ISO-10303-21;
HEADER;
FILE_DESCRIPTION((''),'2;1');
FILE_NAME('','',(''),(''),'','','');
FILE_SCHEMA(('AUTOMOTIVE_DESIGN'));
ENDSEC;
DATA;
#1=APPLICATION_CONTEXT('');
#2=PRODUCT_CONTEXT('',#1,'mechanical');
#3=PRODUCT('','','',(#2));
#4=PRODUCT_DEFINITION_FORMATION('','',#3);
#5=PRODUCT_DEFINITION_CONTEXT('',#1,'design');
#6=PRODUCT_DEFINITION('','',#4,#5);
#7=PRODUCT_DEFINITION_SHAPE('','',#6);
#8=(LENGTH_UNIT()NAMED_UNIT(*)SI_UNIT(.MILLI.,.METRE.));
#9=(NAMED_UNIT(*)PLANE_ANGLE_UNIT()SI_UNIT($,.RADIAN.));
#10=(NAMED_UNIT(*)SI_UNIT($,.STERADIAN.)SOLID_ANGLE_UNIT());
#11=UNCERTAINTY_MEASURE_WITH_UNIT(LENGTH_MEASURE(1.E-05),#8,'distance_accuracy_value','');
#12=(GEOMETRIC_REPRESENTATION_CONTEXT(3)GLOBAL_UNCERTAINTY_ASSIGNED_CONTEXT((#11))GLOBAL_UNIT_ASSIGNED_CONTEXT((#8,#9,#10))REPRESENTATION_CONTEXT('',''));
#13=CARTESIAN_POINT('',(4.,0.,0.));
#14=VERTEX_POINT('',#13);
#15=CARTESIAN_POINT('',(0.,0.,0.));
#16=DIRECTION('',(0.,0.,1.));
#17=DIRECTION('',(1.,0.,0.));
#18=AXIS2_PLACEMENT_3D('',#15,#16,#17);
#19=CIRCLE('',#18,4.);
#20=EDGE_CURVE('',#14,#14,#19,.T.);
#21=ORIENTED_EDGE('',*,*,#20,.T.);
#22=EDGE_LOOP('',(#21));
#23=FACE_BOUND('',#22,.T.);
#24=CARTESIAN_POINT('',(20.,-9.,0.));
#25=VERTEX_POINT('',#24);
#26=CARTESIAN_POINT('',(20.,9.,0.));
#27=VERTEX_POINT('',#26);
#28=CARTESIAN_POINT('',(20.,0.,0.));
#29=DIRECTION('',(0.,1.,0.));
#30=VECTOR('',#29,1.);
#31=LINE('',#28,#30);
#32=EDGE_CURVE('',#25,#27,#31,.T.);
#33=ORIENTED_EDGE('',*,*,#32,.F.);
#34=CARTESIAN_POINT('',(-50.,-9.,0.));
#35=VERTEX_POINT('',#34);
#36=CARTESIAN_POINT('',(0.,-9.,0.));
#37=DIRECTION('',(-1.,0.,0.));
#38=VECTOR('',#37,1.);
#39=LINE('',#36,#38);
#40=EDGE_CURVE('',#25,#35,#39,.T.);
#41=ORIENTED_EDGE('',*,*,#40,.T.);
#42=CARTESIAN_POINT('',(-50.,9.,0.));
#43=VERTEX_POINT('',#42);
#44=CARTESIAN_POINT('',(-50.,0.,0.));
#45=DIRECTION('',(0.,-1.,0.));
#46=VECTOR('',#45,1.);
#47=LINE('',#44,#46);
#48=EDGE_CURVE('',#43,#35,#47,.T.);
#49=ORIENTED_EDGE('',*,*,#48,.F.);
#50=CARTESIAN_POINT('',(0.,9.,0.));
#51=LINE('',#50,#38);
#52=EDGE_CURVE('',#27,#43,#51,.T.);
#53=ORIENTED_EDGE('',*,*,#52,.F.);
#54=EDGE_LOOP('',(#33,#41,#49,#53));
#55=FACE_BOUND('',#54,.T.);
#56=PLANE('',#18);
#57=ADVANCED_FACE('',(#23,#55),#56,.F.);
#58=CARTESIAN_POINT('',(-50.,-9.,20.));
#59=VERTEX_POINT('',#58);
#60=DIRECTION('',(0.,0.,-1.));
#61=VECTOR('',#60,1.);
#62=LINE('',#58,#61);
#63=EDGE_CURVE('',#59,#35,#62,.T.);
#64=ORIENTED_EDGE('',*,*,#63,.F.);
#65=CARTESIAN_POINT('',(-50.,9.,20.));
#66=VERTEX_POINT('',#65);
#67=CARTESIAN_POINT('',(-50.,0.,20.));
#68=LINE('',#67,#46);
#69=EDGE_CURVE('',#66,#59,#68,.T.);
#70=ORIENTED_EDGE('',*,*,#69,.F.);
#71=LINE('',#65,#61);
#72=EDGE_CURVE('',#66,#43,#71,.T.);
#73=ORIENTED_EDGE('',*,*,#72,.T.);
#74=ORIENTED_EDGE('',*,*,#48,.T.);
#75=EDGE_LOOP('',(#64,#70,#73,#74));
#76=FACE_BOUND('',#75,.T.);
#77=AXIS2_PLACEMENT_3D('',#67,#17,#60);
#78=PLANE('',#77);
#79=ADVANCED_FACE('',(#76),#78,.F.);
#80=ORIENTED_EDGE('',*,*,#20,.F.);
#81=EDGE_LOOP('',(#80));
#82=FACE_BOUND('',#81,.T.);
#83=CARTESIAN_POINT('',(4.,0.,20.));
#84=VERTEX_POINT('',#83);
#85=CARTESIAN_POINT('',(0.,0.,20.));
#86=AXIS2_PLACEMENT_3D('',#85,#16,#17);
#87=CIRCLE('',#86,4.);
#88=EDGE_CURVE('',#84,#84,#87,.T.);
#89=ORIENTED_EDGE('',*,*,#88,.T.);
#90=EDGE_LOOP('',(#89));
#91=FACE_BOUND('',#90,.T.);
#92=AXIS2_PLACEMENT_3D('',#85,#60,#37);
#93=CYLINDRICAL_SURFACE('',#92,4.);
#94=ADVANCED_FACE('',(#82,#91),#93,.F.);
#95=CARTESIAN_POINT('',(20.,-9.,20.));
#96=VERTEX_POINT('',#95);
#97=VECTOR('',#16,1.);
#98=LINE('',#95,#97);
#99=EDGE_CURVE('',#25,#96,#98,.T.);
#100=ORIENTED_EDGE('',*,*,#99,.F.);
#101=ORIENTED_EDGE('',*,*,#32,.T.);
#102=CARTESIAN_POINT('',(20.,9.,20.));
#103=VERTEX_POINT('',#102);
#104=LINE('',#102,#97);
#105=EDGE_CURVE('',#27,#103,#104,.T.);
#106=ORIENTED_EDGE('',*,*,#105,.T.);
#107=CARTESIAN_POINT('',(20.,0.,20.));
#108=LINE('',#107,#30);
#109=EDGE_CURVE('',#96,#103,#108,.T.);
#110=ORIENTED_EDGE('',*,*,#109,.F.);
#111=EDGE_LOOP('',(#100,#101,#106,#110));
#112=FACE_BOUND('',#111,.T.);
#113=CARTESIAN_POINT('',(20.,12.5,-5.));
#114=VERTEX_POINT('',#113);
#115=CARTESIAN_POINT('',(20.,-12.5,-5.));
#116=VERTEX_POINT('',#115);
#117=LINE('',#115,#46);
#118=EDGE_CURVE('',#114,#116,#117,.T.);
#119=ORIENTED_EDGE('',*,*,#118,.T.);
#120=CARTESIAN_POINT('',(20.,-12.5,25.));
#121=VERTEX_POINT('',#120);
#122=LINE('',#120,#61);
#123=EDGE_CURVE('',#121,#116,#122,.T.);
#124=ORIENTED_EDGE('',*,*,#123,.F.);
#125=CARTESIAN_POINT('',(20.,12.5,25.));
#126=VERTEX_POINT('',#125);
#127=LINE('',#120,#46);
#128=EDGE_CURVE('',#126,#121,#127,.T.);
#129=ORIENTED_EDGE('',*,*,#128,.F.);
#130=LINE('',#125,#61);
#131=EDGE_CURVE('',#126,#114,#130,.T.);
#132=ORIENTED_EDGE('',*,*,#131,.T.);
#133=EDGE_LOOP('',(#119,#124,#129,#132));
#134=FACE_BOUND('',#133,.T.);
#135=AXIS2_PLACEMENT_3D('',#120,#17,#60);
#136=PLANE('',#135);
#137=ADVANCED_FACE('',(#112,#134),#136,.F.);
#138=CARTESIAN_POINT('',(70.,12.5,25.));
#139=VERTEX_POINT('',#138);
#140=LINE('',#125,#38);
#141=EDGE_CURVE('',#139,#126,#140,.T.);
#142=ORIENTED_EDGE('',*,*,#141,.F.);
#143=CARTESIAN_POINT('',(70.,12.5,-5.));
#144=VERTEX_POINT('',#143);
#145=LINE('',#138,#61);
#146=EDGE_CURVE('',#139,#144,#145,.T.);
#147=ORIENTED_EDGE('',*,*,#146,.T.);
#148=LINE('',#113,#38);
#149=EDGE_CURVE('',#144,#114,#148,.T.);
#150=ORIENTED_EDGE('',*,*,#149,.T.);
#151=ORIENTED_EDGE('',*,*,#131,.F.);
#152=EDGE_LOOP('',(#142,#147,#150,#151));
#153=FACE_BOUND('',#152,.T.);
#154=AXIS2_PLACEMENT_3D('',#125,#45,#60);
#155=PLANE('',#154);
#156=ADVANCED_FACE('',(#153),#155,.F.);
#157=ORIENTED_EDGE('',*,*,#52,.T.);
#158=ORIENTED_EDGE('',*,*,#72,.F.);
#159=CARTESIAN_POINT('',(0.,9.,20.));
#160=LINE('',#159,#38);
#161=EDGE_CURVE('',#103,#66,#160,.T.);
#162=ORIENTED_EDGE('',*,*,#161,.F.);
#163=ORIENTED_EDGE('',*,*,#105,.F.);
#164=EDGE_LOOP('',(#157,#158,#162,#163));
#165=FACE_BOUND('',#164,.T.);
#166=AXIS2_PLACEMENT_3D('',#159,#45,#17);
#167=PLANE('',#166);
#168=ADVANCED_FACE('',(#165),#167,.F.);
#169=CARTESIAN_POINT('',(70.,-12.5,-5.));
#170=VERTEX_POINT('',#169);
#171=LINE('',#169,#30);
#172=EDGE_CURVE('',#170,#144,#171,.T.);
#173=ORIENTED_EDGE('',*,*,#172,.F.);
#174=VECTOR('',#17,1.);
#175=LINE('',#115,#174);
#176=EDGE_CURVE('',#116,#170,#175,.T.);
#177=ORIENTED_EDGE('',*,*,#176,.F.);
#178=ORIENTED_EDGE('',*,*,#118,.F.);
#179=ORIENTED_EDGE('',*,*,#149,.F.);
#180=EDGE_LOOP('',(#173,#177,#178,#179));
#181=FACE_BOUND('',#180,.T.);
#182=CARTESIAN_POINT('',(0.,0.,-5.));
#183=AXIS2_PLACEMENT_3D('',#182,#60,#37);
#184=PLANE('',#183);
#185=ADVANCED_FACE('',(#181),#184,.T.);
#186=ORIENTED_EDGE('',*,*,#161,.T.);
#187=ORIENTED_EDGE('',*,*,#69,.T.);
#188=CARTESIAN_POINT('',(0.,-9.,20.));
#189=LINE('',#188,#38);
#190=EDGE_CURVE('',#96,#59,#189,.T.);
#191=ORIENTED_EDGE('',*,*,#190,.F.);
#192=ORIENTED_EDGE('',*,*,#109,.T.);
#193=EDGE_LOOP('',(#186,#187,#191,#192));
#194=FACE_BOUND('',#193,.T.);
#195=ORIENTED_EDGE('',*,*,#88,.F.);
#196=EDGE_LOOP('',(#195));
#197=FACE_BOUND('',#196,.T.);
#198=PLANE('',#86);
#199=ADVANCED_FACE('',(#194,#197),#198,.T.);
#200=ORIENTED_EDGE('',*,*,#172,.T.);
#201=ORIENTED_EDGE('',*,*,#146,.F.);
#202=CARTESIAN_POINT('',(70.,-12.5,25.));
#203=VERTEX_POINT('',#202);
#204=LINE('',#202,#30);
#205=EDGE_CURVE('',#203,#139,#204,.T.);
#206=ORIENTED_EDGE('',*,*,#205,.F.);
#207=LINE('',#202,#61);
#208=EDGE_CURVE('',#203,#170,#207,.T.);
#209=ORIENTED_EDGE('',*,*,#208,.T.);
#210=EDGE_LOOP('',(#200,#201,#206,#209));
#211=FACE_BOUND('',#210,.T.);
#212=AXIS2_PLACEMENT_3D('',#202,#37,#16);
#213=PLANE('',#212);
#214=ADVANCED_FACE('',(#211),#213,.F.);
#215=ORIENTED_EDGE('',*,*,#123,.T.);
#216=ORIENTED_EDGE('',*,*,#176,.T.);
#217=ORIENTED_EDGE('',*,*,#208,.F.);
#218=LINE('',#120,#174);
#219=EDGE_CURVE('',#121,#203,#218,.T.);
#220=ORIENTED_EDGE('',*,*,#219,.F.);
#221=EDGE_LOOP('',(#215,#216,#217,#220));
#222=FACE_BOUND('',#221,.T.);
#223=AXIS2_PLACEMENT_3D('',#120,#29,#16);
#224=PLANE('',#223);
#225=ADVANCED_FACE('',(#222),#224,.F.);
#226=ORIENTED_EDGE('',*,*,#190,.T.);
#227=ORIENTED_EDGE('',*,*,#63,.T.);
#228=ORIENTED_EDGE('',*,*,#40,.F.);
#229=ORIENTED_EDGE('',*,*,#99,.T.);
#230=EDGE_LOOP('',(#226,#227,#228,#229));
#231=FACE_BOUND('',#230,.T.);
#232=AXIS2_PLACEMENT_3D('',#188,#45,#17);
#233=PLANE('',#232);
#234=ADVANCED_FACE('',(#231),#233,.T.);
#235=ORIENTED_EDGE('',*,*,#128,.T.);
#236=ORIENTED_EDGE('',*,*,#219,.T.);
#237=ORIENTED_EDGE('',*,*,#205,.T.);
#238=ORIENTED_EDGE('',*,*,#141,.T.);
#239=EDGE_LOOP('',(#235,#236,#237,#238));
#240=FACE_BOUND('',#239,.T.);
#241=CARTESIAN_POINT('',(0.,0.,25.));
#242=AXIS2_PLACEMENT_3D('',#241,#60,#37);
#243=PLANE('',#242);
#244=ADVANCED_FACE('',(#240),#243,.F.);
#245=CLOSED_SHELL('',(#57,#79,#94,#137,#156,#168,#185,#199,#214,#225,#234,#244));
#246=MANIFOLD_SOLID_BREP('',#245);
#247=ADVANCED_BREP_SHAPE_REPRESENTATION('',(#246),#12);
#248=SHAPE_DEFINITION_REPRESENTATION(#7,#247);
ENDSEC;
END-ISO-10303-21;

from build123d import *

# Parameters (mm, degrees)
SKETCH1_W           = 100
SKETCH1_H           = 18
SKETCH1_R           = 4
BOSS_EXTRUDE1_DEPTH = 20
SKETCH2_W           = 50
SKETCH2_H           = 25
BOSS_EXTRUDE2_DEPTH = 15


with BuildPart() as part:
    # Sketch1 → Boss-Extrude1 (new body)
    with BuildSketch(Plane.XY):
        Rectangle(SKETCH1_W, SKETCH1_H)
        Circle(SKETCH1_R, mode=Mode.SUBTRACT)
    extrude(amount=BOSS_EXTRUDE1_DEPTH)

    # Sketch2 → Boss-Extrude2 (add, symmetric)
    with BuildSketch(Plane.XY.offset(10)):
        with Locations((45, 0)):
            Rectangle(SKETCH2_W, SKETCH2_H)
    extrude(amount=BOSS_EXTRUDE2_DEPTH, both=True)


solid = part.part
